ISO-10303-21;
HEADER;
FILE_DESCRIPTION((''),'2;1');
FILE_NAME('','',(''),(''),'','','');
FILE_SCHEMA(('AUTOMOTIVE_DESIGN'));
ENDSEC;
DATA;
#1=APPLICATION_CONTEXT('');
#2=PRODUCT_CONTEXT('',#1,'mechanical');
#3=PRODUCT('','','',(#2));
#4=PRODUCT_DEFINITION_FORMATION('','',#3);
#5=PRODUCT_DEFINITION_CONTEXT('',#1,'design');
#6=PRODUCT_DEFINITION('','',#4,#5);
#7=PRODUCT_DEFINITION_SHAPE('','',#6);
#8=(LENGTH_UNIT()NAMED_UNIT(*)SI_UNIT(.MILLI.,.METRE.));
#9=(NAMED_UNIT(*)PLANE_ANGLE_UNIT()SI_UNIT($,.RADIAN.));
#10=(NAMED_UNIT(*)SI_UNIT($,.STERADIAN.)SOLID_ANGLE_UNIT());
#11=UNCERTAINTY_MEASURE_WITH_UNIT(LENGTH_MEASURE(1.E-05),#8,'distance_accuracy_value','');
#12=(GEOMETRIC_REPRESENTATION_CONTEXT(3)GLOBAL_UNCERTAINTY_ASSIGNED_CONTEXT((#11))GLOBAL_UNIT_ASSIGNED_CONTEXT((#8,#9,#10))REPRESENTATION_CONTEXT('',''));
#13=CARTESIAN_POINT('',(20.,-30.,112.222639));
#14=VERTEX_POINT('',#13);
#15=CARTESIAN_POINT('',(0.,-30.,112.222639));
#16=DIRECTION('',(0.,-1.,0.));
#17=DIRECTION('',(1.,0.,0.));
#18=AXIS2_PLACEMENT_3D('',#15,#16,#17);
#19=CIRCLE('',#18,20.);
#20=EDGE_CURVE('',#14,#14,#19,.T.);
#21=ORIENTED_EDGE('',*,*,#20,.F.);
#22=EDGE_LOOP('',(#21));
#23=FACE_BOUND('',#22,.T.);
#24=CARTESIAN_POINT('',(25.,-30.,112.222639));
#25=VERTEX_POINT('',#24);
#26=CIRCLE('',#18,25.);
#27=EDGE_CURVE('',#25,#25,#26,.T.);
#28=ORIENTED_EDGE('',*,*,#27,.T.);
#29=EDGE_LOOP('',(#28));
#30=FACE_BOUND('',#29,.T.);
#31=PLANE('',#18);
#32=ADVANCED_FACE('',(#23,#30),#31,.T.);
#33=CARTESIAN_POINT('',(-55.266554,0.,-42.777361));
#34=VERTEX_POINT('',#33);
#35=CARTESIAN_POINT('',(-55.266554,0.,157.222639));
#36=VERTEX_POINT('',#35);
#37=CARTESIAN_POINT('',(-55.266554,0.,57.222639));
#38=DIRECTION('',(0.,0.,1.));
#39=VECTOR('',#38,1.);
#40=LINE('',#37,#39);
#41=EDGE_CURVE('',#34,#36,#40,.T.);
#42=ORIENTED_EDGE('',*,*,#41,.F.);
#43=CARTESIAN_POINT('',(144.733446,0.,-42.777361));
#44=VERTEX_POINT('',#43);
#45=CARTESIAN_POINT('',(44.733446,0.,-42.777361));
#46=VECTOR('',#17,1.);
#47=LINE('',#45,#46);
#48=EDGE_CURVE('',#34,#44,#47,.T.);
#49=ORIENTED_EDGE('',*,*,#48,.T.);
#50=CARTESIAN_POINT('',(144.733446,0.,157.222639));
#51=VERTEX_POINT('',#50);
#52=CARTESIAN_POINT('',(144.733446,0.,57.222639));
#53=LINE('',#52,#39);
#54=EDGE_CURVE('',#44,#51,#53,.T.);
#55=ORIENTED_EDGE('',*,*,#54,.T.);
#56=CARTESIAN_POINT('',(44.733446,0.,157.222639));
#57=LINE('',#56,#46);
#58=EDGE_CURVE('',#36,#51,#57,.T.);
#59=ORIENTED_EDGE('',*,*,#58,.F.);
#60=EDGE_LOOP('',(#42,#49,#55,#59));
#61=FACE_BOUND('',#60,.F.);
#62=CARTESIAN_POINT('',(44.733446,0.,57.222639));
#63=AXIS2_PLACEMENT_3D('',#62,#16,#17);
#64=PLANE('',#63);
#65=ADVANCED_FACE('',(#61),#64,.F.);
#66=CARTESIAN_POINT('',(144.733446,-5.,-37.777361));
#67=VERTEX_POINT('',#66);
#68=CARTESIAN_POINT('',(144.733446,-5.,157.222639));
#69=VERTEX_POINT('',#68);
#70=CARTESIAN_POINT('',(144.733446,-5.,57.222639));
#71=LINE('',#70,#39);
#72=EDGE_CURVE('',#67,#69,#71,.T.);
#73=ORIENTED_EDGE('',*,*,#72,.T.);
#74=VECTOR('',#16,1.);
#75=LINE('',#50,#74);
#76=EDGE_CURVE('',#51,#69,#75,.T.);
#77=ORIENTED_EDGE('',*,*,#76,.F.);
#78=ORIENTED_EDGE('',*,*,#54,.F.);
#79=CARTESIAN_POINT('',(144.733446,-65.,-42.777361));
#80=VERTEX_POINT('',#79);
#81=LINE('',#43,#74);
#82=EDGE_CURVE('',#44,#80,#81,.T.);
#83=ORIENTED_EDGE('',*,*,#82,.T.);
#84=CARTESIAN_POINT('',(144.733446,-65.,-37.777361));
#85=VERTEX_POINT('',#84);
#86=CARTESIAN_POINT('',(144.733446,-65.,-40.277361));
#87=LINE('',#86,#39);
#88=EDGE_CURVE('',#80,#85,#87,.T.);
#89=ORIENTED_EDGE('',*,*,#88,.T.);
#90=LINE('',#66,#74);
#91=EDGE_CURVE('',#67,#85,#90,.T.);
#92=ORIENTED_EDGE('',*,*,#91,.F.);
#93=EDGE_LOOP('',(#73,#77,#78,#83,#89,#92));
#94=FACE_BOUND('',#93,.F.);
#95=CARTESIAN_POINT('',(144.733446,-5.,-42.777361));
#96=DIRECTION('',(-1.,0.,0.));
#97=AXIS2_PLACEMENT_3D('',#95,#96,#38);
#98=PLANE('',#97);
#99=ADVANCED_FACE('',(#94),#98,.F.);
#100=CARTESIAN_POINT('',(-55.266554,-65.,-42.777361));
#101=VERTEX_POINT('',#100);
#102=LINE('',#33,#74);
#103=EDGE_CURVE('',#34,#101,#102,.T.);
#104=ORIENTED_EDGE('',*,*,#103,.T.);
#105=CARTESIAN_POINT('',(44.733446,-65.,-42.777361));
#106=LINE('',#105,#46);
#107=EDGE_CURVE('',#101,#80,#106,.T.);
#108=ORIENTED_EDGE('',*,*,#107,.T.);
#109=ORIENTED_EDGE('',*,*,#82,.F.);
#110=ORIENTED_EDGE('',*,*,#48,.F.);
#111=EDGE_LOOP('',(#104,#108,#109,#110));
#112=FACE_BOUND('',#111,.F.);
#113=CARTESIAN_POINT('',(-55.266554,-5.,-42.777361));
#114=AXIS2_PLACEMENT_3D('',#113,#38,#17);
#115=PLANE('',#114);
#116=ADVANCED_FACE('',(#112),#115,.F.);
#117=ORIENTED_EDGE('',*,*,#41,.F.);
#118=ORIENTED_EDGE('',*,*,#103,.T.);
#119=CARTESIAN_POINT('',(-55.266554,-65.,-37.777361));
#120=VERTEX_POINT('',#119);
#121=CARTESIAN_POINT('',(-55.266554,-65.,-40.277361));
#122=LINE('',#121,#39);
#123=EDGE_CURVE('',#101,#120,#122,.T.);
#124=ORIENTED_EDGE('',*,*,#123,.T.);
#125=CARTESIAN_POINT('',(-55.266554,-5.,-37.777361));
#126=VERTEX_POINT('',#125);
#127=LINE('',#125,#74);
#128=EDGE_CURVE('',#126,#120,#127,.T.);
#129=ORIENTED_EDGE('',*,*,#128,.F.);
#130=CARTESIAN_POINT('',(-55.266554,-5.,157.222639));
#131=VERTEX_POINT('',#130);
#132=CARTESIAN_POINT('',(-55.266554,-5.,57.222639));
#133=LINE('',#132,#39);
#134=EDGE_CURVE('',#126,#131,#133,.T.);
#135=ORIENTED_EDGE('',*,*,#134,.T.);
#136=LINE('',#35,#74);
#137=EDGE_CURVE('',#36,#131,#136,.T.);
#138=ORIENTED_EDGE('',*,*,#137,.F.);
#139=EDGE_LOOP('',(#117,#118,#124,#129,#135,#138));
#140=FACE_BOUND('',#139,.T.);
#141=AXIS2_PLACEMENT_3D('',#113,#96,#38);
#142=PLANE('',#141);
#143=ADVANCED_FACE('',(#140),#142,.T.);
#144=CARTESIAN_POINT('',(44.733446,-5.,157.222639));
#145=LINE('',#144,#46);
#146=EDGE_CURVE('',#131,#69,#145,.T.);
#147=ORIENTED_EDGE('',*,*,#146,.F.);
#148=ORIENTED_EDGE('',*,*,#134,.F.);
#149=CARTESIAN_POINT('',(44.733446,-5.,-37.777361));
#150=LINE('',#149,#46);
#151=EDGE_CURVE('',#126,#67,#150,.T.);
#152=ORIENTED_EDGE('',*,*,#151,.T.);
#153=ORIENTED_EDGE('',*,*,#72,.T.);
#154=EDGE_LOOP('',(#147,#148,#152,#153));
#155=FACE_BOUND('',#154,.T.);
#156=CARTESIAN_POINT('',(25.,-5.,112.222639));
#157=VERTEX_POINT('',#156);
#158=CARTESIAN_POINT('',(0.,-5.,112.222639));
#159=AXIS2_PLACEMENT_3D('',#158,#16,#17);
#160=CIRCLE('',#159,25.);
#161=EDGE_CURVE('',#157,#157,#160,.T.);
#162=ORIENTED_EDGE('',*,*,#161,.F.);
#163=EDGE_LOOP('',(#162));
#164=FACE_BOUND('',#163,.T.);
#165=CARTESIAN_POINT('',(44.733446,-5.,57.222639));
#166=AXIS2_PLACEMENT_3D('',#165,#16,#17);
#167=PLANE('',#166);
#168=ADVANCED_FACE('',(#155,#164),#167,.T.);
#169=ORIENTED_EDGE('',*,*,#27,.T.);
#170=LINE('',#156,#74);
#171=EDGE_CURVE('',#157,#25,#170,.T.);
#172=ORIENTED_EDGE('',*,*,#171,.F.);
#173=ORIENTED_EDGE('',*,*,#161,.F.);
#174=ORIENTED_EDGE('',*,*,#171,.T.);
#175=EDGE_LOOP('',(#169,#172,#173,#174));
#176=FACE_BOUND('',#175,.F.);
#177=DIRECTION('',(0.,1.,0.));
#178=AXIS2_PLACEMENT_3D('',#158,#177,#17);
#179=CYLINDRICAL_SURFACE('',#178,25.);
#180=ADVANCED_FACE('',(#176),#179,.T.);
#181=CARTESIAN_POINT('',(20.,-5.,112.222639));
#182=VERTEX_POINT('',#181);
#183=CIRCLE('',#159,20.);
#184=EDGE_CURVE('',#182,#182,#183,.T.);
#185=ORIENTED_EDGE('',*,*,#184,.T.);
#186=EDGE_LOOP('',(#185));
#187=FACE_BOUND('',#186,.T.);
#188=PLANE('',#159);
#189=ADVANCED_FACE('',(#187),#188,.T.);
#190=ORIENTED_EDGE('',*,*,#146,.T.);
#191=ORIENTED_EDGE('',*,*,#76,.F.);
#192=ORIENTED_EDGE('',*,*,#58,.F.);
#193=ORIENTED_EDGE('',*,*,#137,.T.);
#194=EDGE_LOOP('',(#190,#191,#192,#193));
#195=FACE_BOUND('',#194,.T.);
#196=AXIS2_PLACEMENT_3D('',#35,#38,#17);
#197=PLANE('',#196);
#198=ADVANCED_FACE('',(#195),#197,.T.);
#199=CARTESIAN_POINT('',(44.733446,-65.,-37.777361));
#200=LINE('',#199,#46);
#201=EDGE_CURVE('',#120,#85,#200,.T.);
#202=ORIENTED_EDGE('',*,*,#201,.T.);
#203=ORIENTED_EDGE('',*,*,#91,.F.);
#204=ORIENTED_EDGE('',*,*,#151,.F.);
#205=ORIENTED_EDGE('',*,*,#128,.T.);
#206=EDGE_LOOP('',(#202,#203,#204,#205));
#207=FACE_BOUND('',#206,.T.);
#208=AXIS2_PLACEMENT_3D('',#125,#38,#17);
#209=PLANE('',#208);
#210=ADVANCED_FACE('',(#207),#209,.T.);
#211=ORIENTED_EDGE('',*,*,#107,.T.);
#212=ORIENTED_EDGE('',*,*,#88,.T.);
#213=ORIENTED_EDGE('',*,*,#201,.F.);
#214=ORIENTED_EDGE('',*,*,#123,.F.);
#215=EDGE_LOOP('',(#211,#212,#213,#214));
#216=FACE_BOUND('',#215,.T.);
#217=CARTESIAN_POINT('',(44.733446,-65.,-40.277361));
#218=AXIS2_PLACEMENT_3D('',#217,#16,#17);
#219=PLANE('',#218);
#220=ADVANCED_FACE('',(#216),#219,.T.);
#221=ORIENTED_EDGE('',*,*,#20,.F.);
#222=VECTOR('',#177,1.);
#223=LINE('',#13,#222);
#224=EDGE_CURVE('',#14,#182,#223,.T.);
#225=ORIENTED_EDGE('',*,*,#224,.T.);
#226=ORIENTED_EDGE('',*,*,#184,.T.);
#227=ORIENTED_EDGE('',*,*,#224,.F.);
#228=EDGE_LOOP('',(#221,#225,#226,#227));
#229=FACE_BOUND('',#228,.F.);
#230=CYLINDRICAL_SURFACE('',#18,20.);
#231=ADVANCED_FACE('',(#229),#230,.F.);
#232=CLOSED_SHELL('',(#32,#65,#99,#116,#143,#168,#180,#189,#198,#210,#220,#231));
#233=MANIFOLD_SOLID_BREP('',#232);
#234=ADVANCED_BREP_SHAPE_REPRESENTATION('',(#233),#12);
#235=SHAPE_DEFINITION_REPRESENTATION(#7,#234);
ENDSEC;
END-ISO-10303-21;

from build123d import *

# Parameters (mm, degrees)
F0_W     = 200
F0_H     = 200
F1_DEPTH = 5
F2_W     = 200
F2_H     = 5
F3_DEPTH = 60
F4_R     = 25
F5_DEPTH = 25
F6_R     = 20
F7_DEPTH = 25


with BuildPart() as f1:
    # F0 (on Front) → F1 (new body)
    with BuildSketch(Plane.XZ):
        with Locations((44.733446, 57.222639)):
            Rectangle(F0_W, F0_H)
    extrude(amount=F1_DEPTH)

    # F2 (on face) → F3 (join)
    with BuildSketch(Plane.XZ.offset(5)):
        with Locations((44.733446, -40.277361)):
            Rectangle(F2_W, F2_H)
    extrude(amount=F3_DEPTH)

    # F4 (on face) → F5 (join)
    with BuildSketch(Plane.XZ.offset(5)):
        with Locations((0, 112.222639)):
            Circle(F4_R)
    extrude(amount=F5_DEPTH)

    # F6 (on face) → F7 (cut)
    with BuildSketch(Plane.XZ.offset(30)):
        with Locations((0, 112.222639)):
            Circle(F6_R)
    extrude(amount=-F7_DEPTH, mode=Mode.SUBTRACT)


solid = f1.part
